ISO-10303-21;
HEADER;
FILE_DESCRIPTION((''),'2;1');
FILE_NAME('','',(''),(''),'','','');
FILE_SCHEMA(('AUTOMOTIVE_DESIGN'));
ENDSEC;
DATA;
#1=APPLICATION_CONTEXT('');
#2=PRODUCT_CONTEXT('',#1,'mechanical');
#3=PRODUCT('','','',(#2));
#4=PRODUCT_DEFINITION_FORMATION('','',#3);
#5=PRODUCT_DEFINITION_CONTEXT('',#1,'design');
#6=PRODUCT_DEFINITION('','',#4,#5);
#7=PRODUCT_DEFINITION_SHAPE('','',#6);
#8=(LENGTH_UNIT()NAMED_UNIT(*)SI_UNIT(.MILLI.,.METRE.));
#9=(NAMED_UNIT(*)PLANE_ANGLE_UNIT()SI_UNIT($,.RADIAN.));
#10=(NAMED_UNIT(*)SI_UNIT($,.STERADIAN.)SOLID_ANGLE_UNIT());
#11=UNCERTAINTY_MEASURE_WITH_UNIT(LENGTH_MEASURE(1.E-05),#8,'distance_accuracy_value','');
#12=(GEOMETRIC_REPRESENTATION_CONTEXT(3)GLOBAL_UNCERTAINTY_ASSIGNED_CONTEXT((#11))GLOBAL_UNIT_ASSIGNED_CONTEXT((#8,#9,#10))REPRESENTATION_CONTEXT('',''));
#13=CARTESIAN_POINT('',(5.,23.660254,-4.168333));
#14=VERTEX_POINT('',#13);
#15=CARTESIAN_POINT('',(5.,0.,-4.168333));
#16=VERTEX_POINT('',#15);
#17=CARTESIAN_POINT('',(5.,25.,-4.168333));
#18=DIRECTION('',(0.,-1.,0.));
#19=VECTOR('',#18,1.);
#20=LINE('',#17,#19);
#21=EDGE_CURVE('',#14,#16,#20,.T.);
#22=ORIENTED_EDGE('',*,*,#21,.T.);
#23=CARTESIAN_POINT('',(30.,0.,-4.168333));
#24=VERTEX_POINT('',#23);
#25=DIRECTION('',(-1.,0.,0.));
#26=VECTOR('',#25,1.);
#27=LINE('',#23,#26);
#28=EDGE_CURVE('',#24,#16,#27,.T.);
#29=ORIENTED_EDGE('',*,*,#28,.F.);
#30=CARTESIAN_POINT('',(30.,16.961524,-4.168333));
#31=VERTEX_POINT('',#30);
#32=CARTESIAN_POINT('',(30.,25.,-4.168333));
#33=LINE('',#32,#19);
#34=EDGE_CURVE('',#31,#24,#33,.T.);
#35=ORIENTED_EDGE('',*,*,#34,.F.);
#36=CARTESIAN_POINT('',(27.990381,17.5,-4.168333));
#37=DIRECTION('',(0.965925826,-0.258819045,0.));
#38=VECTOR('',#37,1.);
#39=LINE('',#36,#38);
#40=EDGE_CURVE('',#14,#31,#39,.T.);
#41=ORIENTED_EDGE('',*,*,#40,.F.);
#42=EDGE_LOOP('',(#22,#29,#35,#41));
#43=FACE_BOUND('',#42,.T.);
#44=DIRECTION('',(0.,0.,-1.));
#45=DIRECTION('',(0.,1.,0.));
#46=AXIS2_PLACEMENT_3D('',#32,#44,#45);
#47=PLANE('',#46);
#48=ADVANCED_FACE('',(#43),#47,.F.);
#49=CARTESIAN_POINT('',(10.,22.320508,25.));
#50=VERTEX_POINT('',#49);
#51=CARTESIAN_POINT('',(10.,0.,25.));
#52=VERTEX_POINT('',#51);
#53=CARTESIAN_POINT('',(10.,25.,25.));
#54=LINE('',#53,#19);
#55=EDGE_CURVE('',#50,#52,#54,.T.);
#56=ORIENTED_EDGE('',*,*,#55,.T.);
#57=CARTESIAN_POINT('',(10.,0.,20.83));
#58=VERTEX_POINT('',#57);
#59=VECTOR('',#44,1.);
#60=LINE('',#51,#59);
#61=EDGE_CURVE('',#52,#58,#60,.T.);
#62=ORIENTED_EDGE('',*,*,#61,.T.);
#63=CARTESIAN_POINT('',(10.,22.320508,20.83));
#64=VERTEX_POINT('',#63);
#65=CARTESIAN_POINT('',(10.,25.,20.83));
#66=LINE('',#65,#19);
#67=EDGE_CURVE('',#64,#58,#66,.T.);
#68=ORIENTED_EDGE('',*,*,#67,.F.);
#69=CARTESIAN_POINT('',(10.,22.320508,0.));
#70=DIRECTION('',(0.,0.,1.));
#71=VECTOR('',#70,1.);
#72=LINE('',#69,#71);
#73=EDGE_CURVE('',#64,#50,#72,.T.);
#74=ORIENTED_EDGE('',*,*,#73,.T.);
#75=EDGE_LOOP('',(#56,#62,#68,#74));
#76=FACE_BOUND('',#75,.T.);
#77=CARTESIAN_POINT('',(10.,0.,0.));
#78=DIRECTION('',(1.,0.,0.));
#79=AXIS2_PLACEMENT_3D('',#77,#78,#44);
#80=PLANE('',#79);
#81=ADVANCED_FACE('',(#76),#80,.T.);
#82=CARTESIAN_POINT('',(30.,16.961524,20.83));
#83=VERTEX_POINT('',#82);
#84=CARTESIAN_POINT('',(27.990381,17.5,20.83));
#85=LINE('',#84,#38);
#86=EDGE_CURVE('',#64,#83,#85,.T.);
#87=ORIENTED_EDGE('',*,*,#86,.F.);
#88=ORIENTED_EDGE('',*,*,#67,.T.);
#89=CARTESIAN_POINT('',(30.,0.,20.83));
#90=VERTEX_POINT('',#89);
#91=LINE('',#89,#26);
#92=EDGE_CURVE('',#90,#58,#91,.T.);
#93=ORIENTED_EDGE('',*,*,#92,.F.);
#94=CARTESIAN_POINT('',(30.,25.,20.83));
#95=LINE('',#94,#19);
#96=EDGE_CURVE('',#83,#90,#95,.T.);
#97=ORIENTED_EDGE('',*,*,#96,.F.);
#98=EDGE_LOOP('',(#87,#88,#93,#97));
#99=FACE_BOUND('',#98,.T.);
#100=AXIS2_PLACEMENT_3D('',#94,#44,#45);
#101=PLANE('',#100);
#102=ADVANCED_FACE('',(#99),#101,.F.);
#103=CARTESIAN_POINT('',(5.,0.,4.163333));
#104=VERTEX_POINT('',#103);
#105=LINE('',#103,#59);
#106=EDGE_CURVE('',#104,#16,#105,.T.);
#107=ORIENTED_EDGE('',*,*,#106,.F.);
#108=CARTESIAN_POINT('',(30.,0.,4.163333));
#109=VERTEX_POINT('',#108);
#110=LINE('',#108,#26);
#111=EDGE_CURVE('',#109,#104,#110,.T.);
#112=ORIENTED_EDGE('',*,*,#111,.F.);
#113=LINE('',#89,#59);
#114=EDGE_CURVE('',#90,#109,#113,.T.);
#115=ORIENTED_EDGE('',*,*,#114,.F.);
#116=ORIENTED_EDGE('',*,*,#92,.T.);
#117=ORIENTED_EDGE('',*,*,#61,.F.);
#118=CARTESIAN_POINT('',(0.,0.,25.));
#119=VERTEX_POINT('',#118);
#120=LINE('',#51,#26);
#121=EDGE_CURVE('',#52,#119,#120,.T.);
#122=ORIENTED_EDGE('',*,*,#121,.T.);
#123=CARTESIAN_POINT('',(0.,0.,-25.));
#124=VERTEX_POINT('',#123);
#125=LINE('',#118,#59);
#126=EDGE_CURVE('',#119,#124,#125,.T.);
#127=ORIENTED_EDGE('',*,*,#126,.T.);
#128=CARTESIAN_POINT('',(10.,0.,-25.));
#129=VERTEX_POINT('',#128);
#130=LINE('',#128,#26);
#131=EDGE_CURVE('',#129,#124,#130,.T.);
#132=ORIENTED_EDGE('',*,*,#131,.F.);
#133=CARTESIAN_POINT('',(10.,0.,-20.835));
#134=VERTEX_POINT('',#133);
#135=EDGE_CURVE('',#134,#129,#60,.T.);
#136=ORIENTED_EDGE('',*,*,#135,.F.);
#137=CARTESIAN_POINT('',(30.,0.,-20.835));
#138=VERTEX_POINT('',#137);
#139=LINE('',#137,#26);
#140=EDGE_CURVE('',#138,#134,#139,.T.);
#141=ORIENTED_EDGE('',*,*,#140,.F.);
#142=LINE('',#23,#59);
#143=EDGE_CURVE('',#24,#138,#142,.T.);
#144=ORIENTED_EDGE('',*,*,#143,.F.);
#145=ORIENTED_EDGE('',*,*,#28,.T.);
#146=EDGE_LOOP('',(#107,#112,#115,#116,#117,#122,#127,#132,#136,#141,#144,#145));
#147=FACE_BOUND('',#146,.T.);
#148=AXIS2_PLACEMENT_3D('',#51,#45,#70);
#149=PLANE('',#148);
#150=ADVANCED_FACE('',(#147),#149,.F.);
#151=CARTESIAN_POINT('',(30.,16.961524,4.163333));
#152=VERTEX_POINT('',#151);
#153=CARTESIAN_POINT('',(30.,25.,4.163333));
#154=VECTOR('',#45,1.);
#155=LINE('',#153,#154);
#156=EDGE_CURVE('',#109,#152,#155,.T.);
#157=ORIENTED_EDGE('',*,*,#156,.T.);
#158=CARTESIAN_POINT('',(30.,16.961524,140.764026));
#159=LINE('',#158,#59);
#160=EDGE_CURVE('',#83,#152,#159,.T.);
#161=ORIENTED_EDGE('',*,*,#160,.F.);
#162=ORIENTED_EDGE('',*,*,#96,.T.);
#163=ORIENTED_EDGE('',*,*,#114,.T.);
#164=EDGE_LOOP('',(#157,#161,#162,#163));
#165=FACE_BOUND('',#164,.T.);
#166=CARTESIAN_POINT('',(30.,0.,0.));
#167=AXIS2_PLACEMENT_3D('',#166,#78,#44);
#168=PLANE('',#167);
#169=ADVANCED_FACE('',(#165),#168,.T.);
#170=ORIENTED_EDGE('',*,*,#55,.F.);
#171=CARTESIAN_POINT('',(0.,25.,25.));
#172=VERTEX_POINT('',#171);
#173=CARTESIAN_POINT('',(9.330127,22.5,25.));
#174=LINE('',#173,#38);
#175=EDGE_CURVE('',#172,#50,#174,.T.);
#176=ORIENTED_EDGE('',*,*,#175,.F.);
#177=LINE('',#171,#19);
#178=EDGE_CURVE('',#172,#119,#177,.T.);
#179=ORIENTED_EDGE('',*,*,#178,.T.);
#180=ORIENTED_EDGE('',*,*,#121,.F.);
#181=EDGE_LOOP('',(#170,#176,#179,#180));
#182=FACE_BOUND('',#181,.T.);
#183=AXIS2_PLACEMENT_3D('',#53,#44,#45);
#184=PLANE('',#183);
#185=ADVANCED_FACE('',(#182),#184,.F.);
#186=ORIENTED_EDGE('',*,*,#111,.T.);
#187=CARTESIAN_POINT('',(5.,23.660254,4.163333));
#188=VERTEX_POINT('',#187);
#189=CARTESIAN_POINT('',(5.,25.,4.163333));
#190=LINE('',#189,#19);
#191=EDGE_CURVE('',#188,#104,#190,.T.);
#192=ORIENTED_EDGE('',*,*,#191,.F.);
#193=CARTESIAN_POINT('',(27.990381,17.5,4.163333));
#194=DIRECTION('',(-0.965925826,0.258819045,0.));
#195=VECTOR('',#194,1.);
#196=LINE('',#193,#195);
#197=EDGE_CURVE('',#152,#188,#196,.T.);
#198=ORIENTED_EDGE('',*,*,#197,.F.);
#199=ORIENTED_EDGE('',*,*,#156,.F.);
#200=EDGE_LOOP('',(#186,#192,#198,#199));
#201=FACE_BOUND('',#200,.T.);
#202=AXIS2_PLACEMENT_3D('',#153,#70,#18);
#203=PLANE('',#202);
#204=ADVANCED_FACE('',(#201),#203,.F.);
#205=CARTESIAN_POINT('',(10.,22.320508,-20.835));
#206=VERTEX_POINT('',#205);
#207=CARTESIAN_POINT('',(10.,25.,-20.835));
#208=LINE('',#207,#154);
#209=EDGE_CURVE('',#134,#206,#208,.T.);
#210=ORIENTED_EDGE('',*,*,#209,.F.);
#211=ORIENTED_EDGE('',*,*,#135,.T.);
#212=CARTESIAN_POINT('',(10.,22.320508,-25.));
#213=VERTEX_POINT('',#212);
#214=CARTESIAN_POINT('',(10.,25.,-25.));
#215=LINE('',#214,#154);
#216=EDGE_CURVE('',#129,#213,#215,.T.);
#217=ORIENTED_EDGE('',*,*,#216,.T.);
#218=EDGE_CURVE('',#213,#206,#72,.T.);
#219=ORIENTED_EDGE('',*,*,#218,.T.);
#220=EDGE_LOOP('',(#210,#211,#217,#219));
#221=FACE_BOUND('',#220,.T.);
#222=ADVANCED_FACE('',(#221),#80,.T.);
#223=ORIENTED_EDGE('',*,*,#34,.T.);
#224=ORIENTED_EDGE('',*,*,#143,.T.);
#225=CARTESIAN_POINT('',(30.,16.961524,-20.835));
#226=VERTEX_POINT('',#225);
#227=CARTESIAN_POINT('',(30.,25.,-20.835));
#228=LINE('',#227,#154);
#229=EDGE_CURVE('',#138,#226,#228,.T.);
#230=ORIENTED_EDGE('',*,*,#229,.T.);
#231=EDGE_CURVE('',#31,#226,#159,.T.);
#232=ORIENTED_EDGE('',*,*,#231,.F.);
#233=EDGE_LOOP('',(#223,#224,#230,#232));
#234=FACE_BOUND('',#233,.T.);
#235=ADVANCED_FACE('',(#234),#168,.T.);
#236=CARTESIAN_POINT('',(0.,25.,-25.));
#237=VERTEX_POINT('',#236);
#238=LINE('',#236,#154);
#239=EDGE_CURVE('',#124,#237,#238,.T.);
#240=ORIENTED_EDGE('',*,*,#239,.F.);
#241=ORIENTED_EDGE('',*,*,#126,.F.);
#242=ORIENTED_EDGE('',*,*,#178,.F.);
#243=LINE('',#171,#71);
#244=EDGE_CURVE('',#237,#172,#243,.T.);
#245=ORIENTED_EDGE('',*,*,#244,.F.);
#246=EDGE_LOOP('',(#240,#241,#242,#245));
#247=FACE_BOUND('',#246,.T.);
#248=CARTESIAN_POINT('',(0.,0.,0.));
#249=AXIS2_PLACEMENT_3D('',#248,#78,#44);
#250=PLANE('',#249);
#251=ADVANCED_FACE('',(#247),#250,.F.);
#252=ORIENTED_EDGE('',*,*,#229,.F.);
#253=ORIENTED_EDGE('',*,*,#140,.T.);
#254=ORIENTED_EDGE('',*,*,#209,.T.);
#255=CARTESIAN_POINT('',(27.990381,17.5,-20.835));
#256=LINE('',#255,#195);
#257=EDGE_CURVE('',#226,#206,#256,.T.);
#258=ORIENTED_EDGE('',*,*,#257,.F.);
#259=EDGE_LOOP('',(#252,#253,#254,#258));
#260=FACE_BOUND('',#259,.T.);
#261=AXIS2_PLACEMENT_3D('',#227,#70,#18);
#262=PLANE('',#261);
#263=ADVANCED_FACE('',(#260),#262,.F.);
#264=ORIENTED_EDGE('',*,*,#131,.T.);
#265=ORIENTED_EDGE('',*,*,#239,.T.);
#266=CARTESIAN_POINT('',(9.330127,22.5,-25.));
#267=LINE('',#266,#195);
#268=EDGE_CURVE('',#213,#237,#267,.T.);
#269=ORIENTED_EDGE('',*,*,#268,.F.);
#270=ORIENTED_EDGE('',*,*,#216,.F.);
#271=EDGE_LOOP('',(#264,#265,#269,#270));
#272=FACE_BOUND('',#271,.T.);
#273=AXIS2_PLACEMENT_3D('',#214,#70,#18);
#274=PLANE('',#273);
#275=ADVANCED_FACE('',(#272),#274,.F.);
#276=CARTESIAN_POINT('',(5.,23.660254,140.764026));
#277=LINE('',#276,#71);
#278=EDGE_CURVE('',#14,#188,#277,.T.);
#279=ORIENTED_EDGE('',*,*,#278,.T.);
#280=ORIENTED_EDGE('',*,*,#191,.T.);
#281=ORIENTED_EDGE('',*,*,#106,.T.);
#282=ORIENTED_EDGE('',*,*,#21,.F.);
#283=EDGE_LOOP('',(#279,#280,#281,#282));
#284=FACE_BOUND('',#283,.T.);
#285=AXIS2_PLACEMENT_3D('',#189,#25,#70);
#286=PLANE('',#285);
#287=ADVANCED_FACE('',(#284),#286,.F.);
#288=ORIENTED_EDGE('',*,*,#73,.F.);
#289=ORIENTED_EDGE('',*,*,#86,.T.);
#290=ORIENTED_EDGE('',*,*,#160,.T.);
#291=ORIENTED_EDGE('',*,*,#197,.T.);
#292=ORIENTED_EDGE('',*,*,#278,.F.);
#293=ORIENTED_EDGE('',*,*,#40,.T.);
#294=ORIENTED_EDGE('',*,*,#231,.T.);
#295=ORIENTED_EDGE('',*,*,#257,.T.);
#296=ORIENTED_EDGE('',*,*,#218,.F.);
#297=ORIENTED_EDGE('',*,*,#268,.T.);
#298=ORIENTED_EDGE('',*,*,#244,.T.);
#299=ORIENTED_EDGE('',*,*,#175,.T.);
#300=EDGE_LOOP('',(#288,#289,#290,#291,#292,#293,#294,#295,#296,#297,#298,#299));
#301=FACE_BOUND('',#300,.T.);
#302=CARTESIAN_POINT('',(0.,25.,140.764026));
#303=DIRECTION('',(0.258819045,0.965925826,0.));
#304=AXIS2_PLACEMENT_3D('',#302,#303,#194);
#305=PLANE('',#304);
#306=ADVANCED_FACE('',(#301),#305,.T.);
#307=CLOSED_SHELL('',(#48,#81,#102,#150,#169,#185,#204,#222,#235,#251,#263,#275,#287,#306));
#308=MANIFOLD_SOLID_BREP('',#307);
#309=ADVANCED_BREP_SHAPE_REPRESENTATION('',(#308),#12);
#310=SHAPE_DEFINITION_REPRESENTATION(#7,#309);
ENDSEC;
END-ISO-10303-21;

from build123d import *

# Parameters (mm, degrees)
CROQUIS1_W                 = 50
CROQUIS1_H                 = 25
SALIENTE_EXTRUIR1_DEPTH    = 10
CROQUIS2_W                 = 16.666666667
CROQUIS2_H                 = 25
SALIENTE_EXTRUIR2_DEPTH    = 20
CORTAR_EXTRUIR1_DEPTH      = 64.442887702
CORTAR_EXTRUIR1_DEPTH_BACK = 64.442887702
CROQUIS5_W                 = 5
CROQUIS5_H                 = 8.331666666
CORTAR_EXTRUIR3_DEPTH      = 47.368092477


with BuildPart() as part:
    # Croquis1 → Saliente-Extruir1 (new body)
    with BuildSketch(Plane(origin=(0, 0, 0), x_dir=(0, 0, -1), z_dir=(1, 0, 0))):
        with Locations((0, 12.5)):
            Rectangle(CROQUIS1_W, CROQUIS1_H)
    extrude(amount=SALIENTE_EXTRUIR1_DEPTH)

    # Croquis2 → Saliente-Extruir2 (add)
    with BuildSketch(Plane(origin=(10, 0, 0), x_dir=(0, 0, -1), z_dir=(1, 0, 0))):
        with Locations((-12.496666667, 12.5)):
            Rectangle(CROQUIS2_W, CROQUIS2_H)
        with Locations((12.501666667, 12.5)):
            Rectangle(CROQUIS2_W, CROQUIS2_H)
    extrude(amount=SALIENTE_EXTRUIR2_DEPTH)

    # Croquis3 → Cortar-Extruir1 (cut, two sides: drawn at the far end of the back side and taken through both)
    with BuildSketch(Plane.XY.offset(25).offset(-CORTAR_EXTRUIR1_DEPTH_BACK)):
        Polygon((-85.10047698, 47.802604082), (0, 25), (30, 16.961524227), (115.10047698, -5.841079855), (160.705685145, 164.359874105), (-39.495268815, 218.003558043), align=None)
    extrude(amount=CORTAR_EXTRUIR1_DEPTH + CORTAR_EXTRUIR1_DEPTH_BACK, mode=Mode.SUBTRACT)

    # Croquis5 → Cortar-Extruir3 (cut, through all)
    with BuildSketch(Plane.XZ):
        with Locations((7.5, -0.0025)):
            Rectangle(CROQUIS5_W, CROQUIS5_H)
    extrude(amount=-CORTAR_EXTRUIR3_DEPTH, mode=Mode.SUBTRACT)


solid = part.part
